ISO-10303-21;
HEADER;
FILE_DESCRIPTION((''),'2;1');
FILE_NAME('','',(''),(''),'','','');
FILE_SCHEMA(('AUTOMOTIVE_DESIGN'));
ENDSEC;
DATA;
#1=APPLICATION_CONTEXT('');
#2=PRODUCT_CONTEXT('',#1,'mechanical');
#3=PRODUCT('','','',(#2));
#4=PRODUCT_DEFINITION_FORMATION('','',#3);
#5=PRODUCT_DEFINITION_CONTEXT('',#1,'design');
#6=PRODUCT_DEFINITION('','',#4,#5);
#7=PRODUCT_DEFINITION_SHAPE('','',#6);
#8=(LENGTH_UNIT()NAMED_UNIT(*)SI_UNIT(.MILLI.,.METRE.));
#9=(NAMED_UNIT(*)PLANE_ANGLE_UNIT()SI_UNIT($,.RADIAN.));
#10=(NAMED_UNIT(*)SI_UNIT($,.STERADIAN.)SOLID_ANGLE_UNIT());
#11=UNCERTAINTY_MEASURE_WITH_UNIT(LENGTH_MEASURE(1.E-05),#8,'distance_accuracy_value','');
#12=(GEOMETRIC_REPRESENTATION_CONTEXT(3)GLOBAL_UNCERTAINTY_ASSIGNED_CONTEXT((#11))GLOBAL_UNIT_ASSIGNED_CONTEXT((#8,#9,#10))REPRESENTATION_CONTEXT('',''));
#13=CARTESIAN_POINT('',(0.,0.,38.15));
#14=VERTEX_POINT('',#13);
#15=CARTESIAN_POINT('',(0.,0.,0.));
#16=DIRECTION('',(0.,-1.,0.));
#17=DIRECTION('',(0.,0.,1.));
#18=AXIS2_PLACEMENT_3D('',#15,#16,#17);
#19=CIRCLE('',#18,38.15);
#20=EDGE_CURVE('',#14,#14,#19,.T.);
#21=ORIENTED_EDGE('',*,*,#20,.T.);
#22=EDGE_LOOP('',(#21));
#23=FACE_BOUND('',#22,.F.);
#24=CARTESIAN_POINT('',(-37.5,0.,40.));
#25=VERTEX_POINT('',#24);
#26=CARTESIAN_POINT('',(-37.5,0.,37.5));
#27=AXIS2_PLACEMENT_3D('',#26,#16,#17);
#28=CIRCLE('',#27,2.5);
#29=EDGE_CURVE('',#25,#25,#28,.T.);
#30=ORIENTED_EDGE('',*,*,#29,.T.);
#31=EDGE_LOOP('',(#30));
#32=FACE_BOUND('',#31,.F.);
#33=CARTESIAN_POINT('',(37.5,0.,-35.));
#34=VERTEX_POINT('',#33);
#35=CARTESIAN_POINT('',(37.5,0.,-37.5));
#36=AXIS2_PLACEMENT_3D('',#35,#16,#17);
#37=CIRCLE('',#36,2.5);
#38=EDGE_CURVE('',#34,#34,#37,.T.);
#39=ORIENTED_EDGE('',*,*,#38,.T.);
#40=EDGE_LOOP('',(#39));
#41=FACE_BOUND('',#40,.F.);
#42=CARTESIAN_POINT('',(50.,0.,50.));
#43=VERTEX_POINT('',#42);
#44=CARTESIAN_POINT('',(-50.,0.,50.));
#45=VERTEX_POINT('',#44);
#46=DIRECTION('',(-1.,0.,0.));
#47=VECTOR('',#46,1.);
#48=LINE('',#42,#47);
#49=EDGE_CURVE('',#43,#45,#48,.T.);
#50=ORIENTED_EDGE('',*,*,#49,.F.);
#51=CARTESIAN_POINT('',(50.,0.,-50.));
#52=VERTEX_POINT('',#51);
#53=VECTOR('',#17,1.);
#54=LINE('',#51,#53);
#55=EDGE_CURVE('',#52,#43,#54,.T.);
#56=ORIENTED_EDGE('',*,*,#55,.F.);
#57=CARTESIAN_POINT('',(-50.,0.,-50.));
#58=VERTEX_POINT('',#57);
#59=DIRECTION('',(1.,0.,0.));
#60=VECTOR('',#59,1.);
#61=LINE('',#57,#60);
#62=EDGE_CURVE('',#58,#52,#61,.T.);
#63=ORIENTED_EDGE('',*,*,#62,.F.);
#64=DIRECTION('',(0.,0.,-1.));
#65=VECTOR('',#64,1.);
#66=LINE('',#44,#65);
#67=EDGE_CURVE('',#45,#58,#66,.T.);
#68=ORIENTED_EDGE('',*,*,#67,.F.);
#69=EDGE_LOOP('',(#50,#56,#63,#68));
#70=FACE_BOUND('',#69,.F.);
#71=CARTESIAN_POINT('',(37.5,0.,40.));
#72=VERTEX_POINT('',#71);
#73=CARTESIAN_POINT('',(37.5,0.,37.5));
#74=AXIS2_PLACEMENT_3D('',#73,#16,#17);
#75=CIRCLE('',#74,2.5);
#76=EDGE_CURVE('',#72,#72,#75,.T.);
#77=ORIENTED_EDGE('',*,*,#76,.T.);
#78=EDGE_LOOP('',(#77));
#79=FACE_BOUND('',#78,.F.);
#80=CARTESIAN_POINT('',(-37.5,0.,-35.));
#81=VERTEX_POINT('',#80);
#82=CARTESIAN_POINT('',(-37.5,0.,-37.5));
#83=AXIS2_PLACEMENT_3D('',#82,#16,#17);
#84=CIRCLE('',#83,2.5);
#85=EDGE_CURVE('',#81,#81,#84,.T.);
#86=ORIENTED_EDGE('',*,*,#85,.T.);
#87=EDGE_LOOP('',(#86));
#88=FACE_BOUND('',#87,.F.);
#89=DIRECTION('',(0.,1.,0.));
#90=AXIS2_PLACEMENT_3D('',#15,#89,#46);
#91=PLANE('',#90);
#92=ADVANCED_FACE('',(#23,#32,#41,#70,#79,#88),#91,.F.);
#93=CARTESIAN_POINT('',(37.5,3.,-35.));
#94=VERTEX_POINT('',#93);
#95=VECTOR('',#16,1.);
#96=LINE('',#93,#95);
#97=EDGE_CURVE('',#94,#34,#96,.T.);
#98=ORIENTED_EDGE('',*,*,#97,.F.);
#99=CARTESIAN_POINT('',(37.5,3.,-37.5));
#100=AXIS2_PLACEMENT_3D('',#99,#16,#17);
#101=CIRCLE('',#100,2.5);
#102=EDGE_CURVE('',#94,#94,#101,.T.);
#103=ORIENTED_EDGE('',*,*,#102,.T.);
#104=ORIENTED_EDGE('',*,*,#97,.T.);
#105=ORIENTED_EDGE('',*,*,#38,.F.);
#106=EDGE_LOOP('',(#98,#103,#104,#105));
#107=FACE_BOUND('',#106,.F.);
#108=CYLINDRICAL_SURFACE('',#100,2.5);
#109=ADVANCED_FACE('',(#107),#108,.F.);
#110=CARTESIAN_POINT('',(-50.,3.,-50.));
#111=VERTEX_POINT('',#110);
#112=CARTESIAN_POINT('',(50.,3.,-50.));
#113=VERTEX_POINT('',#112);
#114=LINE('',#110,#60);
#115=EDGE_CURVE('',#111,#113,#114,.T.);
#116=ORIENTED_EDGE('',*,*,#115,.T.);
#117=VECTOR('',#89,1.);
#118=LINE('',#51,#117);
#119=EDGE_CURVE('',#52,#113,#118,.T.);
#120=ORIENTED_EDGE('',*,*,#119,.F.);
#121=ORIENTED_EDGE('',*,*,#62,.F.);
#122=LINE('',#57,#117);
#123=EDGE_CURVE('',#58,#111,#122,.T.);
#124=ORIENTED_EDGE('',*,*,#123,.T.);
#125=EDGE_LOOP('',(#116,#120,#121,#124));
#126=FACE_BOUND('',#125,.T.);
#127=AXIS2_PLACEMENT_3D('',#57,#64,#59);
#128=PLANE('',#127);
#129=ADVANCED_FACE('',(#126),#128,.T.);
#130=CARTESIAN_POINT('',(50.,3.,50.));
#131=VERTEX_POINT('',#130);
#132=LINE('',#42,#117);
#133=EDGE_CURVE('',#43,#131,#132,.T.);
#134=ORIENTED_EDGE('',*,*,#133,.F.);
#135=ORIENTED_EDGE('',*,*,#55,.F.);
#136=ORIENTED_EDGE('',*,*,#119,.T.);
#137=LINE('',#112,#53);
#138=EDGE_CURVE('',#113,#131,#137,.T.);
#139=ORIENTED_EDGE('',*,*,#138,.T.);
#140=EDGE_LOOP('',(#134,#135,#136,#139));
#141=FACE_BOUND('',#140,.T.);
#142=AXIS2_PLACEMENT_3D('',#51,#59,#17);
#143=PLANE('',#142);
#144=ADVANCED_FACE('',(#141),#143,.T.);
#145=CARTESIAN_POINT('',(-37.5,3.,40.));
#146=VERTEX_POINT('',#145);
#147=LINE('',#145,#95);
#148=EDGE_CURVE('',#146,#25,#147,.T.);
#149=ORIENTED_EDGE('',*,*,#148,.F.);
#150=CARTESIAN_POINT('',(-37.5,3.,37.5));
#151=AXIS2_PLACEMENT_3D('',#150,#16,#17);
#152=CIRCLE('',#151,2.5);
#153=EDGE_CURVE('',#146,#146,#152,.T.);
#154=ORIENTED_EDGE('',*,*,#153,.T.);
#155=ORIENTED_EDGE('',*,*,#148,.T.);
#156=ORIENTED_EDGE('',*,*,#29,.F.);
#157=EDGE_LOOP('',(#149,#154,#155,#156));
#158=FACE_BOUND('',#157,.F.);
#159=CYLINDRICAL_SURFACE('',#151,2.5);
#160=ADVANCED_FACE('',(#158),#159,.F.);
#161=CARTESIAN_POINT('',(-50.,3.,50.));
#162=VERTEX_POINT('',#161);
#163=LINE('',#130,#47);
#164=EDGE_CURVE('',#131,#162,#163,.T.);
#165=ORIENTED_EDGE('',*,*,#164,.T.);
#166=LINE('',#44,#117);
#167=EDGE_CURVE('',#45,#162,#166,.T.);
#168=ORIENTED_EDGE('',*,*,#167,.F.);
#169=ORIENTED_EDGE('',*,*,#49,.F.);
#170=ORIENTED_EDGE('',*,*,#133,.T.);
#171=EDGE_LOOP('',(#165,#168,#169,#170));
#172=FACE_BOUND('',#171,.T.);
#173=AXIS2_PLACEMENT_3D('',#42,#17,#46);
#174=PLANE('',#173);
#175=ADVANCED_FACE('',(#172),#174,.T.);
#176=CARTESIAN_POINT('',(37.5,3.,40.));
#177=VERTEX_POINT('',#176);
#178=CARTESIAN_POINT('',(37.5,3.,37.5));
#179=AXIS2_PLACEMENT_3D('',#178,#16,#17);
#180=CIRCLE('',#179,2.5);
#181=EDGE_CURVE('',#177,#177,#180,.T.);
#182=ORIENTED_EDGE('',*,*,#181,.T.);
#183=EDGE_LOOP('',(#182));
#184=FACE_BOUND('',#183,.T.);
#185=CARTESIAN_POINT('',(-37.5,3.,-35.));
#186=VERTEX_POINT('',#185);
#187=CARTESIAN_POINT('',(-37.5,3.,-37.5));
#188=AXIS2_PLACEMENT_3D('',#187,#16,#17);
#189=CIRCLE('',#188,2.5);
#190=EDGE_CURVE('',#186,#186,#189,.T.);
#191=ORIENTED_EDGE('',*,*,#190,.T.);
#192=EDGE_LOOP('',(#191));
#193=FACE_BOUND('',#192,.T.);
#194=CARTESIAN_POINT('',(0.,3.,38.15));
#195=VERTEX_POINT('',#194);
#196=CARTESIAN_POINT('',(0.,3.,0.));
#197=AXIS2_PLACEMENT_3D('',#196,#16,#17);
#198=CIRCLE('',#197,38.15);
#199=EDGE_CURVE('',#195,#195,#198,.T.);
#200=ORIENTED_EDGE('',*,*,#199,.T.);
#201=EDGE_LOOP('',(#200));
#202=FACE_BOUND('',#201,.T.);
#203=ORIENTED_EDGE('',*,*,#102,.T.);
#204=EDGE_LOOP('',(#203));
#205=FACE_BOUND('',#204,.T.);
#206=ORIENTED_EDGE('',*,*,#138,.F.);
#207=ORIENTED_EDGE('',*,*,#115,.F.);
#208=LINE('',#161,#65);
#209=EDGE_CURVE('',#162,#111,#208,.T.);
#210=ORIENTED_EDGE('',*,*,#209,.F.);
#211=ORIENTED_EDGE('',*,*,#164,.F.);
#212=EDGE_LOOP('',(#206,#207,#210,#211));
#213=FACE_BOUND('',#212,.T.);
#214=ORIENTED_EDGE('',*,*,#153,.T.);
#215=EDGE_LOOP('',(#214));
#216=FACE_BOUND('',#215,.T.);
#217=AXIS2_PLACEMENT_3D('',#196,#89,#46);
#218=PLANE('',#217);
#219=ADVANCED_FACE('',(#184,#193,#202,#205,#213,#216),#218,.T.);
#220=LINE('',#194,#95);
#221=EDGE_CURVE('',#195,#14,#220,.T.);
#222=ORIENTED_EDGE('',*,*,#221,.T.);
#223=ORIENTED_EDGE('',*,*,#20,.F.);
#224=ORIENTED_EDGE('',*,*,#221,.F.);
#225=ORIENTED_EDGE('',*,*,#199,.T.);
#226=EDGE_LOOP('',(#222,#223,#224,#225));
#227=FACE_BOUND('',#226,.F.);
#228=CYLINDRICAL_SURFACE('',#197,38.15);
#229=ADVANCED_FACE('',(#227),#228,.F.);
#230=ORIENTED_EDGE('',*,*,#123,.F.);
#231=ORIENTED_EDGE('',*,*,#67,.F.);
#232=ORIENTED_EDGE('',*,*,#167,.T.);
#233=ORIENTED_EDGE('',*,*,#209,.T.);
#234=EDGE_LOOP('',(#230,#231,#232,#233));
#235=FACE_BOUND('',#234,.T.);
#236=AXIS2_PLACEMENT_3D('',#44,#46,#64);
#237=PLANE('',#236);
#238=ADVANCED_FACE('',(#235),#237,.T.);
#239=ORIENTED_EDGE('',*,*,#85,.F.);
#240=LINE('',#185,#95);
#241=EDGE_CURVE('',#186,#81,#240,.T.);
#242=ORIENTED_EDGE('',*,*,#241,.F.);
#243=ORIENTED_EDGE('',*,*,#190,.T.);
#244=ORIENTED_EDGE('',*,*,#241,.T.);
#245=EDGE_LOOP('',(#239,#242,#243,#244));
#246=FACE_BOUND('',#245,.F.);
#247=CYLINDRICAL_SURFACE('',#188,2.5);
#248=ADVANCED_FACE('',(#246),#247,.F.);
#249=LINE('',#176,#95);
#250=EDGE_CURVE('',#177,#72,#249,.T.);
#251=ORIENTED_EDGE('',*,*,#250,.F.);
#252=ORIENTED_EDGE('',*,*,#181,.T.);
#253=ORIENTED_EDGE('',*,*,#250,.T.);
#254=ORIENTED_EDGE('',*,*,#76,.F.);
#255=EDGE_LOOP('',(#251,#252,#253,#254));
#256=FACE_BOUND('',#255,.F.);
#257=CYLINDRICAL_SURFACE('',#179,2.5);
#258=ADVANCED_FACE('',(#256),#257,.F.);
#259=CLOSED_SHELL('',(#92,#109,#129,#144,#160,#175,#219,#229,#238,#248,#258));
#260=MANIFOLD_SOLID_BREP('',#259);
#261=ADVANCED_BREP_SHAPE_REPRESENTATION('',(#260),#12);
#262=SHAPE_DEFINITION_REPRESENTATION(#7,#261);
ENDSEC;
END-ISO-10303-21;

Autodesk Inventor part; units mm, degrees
ref_plane "YZ Plane" through (0, 0, 0) normal (1, 0, 0) x (0, 1, 0)
ref_plane "XZ Plane" through (0, 0, 0) normal (0, 1, 0) x (-1, 0, 0)
ref_plane "XY Plane" through (0, 0, 0) normal (0, 0, 1) x (1, 0, 0)
sketch "Sketch1" plane through (0, 0, 0) normal (0, 1, 0) x (-1, 0, 0)
  line L0 (-50, 50) -> (50, 50)
  line L1 (50, 50) -> (50, -50)
  line L2 (50, -50) -> (-50, -50)
  line L3 (-50, -50) -> (-50, 50)
  line L4 (-50, 50) -> (50, -50) construction
  line L5 (50, 50) -> (-50, -50) construction
  point P0 (0, 0)
  dimension "d0" = 100
  dimension "d1" = 100
extrude "Extrusion1" add sketch "Sketch1" along normal blind 3
sketch "Sketch2" plane through (0, 3, 0) normal (0, 1, 0) x (1, 0, 0)
  point P0 (0, 0)
  point P1 (0, 0)
hole "Hole1" at (0, 3, 0) direction (0, -1, 0) diameter 76.3 end through all
sketch "Sketch3" plane through (0, 3, 0) normal (0, 1, 0) x (1, 0, 0)
  line L0 (-50, -50) -> (50, -50) projected
  line L1 (-50, 50) -> (-50, -50) projected
  point P0 (0, 0)
  point P1 (-37.5, -37.5)
  point P2 (37.5, -37.5)
  point P3 (0, 0)
  point P4 (37.5, 37.5)
  point P5 (0, 0)
  point P6 (-37.5, 37.5)
  point P7 (0, 0)
  dimension "d18" = 12.5
  dimension "d19" = 12.5
  dimension "d22" = 360
hole "Hole2" at (-37.5, 3, 37.5) at (-37.5, 3, -37.5) at (37.5, 3, -37.5) at (37.5, 3, 37.5) direction (0, -1, 0) diameter 5 end through all
properties part number "Plant Panel" material "Aluminum 6061"
